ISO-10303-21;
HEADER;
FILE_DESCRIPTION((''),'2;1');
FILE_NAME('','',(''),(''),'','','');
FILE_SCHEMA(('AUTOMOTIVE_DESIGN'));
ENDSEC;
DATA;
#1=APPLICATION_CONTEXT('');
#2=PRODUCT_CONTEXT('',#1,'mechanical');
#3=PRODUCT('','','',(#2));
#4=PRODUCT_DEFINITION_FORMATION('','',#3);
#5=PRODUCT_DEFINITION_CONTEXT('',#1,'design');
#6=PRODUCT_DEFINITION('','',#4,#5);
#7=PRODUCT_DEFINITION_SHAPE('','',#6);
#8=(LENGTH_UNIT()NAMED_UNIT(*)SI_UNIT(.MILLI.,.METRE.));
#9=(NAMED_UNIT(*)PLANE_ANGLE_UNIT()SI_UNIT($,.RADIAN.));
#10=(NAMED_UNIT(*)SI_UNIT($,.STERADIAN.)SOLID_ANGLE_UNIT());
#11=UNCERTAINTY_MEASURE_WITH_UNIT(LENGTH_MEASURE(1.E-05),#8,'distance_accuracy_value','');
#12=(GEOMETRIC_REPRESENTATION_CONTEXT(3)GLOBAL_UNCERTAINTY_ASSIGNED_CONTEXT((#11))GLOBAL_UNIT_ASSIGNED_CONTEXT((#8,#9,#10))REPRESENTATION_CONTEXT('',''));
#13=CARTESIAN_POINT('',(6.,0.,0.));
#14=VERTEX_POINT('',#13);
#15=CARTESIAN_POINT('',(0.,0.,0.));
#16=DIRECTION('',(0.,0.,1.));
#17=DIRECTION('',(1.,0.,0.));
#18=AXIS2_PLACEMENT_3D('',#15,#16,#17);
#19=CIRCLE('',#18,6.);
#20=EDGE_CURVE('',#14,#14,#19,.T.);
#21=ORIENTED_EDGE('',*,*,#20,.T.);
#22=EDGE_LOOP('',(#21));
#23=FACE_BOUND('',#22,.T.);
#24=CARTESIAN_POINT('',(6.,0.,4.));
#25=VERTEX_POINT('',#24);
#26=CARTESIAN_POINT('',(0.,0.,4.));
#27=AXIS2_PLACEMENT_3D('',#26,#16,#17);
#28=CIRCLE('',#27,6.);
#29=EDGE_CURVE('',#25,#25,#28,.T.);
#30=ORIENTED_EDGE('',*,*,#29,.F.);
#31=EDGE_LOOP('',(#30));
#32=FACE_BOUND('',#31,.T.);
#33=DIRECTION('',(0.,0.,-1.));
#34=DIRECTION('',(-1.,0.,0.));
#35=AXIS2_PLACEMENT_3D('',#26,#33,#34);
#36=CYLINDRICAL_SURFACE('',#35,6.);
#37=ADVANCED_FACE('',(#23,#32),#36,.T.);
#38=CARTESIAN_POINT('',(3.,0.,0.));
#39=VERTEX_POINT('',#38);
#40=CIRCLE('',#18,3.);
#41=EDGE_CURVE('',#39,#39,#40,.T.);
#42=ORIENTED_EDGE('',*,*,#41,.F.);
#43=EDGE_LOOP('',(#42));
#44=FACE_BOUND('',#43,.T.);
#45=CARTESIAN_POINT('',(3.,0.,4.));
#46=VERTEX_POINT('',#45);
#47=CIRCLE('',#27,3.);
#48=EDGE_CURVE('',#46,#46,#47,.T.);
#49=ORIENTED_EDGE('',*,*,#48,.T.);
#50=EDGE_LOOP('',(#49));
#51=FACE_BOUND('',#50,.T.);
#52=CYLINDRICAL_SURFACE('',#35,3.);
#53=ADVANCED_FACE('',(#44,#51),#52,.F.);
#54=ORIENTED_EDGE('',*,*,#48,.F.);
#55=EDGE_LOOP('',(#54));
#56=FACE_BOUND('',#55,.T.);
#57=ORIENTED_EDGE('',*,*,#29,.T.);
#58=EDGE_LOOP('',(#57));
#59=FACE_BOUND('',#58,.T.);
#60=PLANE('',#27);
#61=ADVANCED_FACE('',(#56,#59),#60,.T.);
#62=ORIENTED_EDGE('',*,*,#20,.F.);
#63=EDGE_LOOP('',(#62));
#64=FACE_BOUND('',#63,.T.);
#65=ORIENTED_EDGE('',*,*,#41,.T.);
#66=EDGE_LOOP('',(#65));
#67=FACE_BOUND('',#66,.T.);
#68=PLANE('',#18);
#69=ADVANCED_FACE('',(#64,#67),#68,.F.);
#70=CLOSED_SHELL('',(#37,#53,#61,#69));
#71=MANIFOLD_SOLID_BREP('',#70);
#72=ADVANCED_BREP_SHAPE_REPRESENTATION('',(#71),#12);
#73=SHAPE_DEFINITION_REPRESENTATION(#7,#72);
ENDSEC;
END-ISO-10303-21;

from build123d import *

# Parameters (mm, degrees)
SKETCH_1_R      = 6
SKETCH_1_R_2    = 3
EXTRUDE_1_DEPTH = 4


with BuildPart() as part:
    # 草图1 → 凸台-拉伸1 (new body)
    with BuildSketch(Plane.XY):
        Circle(SKETCH_1_R)
        Circle(SKETCH_1_R_2, mode=Mode.SUBTRACT)
    extrude(amount=EXTRUDE_1_DEPTH)


solid = part.part
